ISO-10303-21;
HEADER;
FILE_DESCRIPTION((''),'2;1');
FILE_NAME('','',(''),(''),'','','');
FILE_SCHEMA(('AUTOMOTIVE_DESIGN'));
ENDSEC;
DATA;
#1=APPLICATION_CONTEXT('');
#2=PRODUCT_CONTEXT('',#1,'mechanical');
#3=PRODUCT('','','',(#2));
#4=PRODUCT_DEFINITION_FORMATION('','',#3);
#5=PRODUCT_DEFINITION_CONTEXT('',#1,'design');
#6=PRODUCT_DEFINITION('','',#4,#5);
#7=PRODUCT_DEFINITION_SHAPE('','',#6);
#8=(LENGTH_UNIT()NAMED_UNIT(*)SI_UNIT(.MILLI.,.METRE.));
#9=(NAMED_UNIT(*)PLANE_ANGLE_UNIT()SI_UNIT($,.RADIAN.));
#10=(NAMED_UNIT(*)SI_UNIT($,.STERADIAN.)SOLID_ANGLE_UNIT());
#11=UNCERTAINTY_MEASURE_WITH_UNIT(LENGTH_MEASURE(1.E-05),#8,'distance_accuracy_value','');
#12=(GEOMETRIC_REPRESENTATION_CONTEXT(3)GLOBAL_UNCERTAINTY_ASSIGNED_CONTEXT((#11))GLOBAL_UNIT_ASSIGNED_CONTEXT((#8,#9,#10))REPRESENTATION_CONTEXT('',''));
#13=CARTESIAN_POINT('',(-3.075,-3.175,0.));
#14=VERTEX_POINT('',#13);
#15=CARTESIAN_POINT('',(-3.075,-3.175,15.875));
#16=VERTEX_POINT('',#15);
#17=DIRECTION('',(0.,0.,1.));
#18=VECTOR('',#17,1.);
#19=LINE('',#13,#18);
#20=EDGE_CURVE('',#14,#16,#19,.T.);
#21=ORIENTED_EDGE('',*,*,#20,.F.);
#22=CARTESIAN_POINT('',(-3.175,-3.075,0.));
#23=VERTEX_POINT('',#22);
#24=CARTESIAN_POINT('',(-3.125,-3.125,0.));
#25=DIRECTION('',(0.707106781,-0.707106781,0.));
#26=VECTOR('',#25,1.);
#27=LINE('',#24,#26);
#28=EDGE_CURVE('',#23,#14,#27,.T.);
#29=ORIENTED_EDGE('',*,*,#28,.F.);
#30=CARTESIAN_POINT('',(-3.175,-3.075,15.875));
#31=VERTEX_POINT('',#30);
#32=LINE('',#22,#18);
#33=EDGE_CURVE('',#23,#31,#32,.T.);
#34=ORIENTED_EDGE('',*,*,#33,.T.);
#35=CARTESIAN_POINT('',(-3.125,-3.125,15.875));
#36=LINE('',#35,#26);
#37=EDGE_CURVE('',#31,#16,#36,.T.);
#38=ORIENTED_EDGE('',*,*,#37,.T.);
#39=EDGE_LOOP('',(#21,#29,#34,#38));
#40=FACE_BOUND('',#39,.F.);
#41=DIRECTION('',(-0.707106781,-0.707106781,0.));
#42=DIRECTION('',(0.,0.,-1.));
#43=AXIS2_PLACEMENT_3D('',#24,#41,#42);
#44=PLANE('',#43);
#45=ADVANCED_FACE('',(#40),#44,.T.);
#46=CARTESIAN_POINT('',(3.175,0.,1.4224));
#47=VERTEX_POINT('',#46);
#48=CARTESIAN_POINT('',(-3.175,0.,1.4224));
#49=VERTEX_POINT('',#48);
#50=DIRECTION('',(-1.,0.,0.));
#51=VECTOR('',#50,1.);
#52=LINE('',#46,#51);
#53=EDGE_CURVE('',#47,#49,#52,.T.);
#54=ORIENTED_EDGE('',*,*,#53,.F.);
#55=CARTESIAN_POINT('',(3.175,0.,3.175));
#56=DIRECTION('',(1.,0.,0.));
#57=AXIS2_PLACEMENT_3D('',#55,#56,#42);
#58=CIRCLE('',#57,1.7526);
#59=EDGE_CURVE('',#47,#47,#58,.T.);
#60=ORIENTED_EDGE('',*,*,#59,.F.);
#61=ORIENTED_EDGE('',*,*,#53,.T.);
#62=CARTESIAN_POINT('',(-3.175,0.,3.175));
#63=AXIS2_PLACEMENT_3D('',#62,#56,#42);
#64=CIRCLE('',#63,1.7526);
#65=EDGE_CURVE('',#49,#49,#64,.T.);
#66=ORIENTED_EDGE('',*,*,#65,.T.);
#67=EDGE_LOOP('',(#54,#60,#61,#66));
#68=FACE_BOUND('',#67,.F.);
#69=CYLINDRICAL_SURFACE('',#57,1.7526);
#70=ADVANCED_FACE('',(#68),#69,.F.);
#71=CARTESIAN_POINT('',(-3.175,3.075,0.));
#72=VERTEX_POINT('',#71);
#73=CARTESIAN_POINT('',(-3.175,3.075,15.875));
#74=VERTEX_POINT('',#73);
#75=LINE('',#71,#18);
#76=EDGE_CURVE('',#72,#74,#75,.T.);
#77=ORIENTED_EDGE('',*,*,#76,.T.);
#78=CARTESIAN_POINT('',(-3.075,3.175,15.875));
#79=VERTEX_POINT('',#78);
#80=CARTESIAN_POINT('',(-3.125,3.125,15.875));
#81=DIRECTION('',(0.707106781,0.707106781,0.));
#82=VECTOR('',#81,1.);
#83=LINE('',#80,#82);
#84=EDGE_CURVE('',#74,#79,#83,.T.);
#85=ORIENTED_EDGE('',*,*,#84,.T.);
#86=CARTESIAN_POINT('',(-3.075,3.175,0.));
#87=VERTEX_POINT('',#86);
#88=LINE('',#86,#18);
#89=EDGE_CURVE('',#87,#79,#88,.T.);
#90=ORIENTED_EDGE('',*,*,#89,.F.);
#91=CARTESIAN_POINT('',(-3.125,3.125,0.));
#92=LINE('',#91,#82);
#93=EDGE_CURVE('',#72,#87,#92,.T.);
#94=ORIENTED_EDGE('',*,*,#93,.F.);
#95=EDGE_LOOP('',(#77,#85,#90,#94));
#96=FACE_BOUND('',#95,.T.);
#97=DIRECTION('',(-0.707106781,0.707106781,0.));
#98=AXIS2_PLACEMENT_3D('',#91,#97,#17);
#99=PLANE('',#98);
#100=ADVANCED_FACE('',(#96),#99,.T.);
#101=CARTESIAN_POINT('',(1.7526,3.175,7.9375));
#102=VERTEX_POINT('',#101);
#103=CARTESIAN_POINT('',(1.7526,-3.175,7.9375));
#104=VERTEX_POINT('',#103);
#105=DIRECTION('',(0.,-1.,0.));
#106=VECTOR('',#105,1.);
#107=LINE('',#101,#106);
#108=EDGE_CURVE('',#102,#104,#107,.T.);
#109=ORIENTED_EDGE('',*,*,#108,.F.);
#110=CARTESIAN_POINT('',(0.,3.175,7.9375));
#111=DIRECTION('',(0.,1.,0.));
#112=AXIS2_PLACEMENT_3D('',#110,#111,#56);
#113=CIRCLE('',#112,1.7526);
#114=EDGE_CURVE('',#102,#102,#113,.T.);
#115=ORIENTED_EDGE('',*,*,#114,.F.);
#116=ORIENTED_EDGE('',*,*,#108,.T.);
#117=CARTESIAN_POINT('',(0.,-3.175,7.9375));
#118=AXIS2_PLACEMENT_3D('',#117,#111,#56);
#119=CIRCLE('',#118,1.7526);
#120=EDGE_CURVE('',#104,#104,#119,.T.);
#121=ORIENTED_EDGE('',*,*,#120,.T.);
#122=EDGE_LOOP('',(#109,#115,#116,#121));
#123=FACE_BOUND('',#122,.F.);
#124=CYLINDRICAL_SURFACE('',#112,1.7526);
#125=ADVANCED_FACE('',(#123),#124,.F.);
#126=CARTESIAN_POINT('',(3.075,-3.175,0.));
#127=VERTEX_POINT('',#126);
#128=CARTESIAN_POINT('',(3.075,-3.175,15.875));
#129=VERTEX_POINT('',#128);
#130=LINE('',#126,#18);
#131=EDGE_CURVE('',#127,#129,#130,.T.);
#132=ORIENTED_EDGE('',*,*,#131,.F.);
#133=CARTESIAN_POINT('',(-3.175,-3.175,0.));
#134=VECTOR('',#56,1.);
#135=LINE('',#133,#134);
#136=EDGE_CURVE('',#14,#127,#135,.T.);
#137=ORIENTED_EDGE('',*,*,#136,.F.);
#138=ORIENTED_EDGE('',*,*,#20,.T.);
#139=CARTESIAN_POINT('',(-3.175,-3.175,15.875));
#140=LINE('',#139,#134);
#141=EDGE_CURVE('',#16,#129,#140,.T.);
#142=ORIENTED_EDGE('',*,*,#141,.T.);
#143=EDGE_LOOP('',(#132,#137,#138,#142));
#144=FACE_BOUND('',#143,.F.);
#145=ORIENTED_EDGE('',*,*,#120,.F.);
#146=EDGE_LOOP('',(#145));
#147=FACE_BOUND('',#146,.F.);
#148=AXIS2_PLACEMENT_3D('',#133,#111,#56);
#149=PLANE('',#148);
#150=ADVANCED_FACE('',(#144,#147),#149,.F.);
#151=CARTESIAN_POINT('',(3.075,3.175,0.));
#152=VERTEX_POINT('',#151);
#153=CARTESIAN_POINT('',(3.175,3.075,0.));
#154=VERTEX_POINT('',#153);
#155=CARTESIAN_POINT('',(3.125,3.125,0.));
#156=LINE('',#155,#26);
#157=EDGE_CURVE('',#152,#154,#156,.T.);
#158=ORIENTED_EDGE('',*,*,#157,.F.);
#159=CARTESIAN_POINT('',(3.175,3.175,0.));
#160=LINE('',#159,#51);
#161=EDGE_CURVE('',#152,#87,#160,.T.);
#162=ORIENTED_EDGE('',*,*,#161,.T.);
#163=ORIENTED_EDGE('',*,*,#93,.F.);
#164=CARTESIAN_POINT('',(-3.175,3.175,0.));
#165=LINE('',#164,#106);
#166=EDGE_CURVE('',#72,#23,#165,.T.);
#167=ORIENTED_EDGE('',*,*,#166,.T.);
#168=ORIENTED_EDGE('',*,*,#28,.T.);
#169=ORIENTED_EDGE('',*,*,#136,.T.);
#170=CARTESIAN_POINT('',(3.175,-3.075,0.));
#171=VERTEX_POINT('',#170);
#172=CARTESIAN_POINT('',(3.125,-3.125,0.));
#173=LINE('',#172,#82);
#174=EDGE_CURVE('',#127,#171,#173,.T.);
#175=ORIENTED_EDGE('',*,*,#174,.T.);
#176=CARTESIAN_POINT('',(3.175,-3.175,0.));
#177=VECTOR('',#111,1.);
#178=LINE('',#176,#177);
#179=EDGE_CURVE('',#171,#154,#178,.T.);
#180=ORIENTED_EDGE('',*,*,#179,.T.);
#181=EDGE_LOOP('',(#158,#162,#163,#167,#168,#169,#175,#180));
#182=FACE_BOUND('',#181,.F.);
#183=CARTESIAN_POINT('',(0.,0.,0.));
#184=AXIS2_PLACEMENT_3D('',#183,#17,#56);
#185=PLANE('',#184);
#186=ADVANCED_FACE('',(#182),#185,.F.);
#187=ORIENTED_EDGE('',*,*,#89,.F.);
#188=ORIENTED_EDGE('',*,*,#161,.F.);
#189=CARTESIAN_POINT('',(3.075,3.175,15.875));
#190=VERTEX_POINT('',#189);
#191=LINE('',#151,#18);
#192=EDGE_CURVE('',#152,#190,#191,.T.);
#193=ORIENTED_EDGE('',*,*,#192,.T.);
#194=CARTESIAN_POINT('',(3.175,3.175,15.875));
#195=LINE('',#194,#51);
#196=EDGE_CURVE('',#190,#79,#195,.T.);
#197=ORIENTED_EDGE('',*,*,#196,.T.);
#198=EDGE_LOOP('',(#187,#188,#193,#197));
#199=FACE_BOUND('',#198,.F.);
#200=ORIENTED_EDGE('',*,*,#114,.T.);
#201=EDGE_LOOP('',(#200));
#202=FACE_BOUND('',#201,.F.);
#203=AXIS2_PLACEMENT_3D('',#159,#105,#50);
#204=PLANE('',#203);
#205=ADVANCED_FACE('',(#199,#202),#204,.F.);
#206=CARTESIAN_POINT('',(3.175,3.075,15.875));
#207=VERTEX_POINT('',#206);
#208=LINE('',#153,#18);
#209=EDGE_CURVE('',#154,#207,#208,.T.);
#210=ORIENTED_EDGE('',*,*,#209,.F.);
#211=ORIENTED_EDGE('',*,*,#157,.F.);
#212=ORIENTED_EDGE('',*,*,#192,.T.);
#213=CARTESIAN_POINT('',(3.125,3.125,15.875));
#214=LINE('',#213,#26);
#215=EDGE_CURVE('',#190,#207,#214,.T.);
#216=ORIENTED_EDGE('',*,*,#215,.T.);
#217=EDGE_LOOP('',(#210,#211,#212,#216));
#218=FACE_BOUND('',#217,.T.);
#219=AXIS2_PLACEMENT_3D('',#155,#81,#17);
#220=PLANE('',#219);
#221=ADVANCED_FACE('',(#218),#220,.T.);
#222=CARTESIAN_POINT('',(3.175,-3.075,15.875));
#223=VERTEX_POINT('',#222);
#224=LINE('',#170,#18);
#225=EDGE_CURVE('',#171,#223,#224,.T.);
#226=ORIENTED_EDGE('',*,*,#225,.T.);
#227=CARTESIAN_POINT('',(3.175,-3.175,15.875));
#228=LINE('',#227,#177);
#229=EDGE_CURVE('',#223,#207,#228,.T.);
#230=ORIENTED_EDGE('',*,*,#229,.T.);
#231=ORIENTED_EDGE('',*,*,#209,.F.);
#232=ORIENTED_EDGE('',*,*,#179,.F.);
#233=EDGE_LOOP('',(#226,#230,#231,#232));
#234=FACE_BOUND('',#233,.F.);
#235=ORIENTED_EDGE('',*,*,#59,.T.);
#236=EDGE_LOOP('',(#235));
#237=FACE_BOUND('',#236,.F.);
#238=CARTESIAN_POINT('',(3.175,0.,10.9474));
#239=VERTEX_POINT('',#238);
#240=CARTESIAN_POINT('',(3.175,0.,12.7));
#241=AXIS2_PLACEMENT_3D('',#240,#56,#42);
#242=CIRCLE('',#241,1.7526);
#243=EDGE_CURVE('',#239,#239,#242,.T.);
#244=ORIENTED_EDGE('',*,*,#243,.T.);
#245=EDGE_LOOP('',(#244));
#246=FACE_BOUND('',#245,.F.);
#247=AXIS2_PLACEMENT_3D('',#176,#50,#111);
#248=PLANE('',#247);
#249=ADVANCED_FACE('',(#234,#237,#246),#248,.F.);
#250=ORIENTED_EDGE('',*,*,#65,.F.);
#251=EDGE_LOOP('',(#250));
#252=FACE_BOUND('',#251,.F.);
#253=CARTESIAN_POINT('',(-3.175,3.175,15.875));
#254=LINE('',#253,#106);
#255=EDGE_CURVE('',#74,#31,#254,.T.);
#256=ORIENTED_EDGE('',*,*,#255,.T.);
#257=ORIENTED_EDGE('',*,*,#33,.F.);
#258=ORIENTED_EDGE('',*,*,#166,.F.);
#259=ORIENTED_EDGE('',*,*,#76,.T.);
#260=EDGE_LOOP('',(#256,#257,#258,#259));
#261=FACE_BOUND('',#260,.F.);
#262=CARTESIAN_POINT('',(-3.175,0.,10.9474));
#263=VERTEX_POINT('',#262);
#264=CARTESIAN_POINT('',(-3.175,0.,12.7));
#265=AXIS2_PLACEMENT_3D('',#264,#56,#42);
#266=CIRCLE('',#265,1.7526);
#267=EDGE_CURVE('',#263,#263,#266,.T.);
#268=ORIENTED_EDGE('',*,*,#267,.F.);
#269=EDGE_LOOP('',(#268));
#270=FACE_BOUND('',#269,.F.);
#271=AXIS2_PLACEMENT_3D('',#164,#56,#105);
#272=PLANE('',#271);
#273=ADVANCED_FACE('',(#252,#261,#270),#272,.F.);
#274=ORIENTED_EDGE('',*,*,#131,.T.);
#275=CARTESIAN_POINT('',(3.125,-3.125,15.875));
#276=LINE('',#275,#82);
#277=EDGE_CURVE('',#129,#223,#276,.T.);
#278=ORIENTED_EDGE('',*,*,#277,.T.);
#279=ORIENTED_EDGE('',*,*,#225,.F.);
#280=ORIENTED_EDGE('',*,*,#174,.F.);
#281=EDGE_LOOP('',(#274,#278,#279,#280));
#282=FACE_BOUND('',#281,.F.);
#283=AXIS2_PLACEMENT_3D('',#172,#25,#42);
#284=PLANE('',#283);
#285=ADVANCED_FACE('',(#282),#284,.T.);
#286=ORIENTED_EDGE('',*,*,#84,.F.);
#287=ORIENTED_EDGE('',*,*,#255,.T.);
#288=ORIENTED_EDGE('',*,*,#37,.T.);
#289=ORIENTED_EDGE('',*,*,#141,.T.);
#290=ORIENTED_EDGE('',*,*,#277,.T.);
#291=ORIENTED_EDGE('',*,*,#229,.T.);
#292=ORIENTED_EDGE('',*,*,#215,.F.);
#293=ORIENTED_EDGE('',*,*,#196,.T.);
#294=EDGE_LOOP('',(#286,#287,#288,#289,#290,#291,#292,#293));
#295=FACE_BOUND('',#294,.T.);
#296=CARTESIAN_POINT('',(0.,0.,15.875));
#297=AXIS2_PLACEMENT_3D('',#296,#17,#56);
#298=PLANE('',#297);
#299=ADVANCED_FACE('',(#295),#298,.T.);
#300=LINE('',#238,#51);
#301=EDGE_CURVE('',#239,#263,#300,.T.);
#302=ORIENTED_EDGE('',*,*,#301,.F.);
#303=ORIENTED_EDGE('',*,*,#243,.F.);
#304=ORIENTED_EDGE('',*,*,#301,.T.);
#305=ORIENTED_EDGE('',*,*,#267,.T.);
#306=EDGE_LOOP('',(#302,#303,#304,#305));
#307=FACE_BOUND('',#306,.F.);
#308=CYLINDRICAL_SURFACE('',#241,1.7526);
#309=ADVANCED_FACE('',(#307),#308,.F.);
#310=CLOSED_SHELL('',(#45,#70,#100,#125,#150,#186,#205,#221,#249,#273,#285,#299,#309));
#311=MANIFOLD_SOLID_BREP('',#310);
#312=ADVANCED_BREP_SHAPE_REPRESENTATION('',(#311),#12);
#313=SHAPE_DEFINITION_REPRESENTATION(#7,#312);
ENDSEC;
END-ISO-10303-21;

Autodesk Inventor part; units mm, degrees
ref_plane "YZ Plane" through (0, 0, 0) normal (1, 0, 0) x (0, 1, 0)
ref_plane "XZ Plane" through (0, 0, 0) normal (0, 1, 0) x (-1, 0, 0)
ref_plane "XY Plane" through (0, 0, 0) normal (0, 0, 1) x (1, 0, 0)
sketch "Sketch1" plane through (0, 0, 0) normal (0, 0, 1) x (1, 0, 0)
  line L0 (-3.175, -3.175) -> (3.175, -3.175)
  line L1 (3.175, -3.175) -> (3.175, 3.175)
  line L2 (3.175, 3.175) -> (-3.175, 3.175)
  line L3 (-3.175, 3.175) -> (-3.175, -3.175)
  line L4 (-3.175, -3.175) -> (3.175, 3.175) construction
  line L5 (3.175, -3.175) -> (-3.175, 3.175) construction
  point P0 (0, 0)
  dimension "d0" = 6.35
  dimension "d1" = 6.35
extrude "Extrusion1" add sketch "Sketch1" along normal blind 15.875
sketch "Sketch2" plane through (-3.175, 3.175, 0) normal (0, 1, 0) x (1, 0, 0)
  line L0 (3.175, 0) -> (3.175, -15.875) construction
  line L1 (6.35, -15.875) -> (0, -15.875) projected
  circle A0 centre (3.175, -7.9375) radius 1.7526
  circle A1 centre (3.175, -41.275) radius 1.4493 construction
  line L2 (6.35, 0) -> (0, 0) projected
  dimension "d4" = 3.5052
  dimension "d13" = 7.9375
extrude "Extrusion2" cut sketch "Sketch2" against normal through all
sketch "Sketch3" plane through (3.175, -3.175, 0) normal (1, 0, 0) x (0, 0, -1)
  line L0 (0, 3.175) -> (-15.875, 3.175) construction
  line L1 (-15.875, 0) -> (-15.875, 6.35) projected
  circle A0 centre (-12.7, 3.175) radius 1.7526
  circle A1 centre (-3.175, 3.175) radius 1.7526
  circle A2 centre (6.35, 3.175) radius 1.7526
  circle A3 centre (15.875, 3.175) radius 1.7526
  dimension "d16" = 3.5052
  dimension "d17" = 3.175
  dimension "d20" = 9.525
extrude "Extrusion3" cut sketch "Sketch3" against normal through all
chamfer "Chamfer1" distance 0.1 angle 45 4 edges at (-3.175, 3.175, 7.9375) (3.175, 3.175, 7.9375) (3.175, -3.175, 7.9375) (-3.175, -3.175, 7.9375)
properties part number "Nut Strip" material "Aluminum 6061"
